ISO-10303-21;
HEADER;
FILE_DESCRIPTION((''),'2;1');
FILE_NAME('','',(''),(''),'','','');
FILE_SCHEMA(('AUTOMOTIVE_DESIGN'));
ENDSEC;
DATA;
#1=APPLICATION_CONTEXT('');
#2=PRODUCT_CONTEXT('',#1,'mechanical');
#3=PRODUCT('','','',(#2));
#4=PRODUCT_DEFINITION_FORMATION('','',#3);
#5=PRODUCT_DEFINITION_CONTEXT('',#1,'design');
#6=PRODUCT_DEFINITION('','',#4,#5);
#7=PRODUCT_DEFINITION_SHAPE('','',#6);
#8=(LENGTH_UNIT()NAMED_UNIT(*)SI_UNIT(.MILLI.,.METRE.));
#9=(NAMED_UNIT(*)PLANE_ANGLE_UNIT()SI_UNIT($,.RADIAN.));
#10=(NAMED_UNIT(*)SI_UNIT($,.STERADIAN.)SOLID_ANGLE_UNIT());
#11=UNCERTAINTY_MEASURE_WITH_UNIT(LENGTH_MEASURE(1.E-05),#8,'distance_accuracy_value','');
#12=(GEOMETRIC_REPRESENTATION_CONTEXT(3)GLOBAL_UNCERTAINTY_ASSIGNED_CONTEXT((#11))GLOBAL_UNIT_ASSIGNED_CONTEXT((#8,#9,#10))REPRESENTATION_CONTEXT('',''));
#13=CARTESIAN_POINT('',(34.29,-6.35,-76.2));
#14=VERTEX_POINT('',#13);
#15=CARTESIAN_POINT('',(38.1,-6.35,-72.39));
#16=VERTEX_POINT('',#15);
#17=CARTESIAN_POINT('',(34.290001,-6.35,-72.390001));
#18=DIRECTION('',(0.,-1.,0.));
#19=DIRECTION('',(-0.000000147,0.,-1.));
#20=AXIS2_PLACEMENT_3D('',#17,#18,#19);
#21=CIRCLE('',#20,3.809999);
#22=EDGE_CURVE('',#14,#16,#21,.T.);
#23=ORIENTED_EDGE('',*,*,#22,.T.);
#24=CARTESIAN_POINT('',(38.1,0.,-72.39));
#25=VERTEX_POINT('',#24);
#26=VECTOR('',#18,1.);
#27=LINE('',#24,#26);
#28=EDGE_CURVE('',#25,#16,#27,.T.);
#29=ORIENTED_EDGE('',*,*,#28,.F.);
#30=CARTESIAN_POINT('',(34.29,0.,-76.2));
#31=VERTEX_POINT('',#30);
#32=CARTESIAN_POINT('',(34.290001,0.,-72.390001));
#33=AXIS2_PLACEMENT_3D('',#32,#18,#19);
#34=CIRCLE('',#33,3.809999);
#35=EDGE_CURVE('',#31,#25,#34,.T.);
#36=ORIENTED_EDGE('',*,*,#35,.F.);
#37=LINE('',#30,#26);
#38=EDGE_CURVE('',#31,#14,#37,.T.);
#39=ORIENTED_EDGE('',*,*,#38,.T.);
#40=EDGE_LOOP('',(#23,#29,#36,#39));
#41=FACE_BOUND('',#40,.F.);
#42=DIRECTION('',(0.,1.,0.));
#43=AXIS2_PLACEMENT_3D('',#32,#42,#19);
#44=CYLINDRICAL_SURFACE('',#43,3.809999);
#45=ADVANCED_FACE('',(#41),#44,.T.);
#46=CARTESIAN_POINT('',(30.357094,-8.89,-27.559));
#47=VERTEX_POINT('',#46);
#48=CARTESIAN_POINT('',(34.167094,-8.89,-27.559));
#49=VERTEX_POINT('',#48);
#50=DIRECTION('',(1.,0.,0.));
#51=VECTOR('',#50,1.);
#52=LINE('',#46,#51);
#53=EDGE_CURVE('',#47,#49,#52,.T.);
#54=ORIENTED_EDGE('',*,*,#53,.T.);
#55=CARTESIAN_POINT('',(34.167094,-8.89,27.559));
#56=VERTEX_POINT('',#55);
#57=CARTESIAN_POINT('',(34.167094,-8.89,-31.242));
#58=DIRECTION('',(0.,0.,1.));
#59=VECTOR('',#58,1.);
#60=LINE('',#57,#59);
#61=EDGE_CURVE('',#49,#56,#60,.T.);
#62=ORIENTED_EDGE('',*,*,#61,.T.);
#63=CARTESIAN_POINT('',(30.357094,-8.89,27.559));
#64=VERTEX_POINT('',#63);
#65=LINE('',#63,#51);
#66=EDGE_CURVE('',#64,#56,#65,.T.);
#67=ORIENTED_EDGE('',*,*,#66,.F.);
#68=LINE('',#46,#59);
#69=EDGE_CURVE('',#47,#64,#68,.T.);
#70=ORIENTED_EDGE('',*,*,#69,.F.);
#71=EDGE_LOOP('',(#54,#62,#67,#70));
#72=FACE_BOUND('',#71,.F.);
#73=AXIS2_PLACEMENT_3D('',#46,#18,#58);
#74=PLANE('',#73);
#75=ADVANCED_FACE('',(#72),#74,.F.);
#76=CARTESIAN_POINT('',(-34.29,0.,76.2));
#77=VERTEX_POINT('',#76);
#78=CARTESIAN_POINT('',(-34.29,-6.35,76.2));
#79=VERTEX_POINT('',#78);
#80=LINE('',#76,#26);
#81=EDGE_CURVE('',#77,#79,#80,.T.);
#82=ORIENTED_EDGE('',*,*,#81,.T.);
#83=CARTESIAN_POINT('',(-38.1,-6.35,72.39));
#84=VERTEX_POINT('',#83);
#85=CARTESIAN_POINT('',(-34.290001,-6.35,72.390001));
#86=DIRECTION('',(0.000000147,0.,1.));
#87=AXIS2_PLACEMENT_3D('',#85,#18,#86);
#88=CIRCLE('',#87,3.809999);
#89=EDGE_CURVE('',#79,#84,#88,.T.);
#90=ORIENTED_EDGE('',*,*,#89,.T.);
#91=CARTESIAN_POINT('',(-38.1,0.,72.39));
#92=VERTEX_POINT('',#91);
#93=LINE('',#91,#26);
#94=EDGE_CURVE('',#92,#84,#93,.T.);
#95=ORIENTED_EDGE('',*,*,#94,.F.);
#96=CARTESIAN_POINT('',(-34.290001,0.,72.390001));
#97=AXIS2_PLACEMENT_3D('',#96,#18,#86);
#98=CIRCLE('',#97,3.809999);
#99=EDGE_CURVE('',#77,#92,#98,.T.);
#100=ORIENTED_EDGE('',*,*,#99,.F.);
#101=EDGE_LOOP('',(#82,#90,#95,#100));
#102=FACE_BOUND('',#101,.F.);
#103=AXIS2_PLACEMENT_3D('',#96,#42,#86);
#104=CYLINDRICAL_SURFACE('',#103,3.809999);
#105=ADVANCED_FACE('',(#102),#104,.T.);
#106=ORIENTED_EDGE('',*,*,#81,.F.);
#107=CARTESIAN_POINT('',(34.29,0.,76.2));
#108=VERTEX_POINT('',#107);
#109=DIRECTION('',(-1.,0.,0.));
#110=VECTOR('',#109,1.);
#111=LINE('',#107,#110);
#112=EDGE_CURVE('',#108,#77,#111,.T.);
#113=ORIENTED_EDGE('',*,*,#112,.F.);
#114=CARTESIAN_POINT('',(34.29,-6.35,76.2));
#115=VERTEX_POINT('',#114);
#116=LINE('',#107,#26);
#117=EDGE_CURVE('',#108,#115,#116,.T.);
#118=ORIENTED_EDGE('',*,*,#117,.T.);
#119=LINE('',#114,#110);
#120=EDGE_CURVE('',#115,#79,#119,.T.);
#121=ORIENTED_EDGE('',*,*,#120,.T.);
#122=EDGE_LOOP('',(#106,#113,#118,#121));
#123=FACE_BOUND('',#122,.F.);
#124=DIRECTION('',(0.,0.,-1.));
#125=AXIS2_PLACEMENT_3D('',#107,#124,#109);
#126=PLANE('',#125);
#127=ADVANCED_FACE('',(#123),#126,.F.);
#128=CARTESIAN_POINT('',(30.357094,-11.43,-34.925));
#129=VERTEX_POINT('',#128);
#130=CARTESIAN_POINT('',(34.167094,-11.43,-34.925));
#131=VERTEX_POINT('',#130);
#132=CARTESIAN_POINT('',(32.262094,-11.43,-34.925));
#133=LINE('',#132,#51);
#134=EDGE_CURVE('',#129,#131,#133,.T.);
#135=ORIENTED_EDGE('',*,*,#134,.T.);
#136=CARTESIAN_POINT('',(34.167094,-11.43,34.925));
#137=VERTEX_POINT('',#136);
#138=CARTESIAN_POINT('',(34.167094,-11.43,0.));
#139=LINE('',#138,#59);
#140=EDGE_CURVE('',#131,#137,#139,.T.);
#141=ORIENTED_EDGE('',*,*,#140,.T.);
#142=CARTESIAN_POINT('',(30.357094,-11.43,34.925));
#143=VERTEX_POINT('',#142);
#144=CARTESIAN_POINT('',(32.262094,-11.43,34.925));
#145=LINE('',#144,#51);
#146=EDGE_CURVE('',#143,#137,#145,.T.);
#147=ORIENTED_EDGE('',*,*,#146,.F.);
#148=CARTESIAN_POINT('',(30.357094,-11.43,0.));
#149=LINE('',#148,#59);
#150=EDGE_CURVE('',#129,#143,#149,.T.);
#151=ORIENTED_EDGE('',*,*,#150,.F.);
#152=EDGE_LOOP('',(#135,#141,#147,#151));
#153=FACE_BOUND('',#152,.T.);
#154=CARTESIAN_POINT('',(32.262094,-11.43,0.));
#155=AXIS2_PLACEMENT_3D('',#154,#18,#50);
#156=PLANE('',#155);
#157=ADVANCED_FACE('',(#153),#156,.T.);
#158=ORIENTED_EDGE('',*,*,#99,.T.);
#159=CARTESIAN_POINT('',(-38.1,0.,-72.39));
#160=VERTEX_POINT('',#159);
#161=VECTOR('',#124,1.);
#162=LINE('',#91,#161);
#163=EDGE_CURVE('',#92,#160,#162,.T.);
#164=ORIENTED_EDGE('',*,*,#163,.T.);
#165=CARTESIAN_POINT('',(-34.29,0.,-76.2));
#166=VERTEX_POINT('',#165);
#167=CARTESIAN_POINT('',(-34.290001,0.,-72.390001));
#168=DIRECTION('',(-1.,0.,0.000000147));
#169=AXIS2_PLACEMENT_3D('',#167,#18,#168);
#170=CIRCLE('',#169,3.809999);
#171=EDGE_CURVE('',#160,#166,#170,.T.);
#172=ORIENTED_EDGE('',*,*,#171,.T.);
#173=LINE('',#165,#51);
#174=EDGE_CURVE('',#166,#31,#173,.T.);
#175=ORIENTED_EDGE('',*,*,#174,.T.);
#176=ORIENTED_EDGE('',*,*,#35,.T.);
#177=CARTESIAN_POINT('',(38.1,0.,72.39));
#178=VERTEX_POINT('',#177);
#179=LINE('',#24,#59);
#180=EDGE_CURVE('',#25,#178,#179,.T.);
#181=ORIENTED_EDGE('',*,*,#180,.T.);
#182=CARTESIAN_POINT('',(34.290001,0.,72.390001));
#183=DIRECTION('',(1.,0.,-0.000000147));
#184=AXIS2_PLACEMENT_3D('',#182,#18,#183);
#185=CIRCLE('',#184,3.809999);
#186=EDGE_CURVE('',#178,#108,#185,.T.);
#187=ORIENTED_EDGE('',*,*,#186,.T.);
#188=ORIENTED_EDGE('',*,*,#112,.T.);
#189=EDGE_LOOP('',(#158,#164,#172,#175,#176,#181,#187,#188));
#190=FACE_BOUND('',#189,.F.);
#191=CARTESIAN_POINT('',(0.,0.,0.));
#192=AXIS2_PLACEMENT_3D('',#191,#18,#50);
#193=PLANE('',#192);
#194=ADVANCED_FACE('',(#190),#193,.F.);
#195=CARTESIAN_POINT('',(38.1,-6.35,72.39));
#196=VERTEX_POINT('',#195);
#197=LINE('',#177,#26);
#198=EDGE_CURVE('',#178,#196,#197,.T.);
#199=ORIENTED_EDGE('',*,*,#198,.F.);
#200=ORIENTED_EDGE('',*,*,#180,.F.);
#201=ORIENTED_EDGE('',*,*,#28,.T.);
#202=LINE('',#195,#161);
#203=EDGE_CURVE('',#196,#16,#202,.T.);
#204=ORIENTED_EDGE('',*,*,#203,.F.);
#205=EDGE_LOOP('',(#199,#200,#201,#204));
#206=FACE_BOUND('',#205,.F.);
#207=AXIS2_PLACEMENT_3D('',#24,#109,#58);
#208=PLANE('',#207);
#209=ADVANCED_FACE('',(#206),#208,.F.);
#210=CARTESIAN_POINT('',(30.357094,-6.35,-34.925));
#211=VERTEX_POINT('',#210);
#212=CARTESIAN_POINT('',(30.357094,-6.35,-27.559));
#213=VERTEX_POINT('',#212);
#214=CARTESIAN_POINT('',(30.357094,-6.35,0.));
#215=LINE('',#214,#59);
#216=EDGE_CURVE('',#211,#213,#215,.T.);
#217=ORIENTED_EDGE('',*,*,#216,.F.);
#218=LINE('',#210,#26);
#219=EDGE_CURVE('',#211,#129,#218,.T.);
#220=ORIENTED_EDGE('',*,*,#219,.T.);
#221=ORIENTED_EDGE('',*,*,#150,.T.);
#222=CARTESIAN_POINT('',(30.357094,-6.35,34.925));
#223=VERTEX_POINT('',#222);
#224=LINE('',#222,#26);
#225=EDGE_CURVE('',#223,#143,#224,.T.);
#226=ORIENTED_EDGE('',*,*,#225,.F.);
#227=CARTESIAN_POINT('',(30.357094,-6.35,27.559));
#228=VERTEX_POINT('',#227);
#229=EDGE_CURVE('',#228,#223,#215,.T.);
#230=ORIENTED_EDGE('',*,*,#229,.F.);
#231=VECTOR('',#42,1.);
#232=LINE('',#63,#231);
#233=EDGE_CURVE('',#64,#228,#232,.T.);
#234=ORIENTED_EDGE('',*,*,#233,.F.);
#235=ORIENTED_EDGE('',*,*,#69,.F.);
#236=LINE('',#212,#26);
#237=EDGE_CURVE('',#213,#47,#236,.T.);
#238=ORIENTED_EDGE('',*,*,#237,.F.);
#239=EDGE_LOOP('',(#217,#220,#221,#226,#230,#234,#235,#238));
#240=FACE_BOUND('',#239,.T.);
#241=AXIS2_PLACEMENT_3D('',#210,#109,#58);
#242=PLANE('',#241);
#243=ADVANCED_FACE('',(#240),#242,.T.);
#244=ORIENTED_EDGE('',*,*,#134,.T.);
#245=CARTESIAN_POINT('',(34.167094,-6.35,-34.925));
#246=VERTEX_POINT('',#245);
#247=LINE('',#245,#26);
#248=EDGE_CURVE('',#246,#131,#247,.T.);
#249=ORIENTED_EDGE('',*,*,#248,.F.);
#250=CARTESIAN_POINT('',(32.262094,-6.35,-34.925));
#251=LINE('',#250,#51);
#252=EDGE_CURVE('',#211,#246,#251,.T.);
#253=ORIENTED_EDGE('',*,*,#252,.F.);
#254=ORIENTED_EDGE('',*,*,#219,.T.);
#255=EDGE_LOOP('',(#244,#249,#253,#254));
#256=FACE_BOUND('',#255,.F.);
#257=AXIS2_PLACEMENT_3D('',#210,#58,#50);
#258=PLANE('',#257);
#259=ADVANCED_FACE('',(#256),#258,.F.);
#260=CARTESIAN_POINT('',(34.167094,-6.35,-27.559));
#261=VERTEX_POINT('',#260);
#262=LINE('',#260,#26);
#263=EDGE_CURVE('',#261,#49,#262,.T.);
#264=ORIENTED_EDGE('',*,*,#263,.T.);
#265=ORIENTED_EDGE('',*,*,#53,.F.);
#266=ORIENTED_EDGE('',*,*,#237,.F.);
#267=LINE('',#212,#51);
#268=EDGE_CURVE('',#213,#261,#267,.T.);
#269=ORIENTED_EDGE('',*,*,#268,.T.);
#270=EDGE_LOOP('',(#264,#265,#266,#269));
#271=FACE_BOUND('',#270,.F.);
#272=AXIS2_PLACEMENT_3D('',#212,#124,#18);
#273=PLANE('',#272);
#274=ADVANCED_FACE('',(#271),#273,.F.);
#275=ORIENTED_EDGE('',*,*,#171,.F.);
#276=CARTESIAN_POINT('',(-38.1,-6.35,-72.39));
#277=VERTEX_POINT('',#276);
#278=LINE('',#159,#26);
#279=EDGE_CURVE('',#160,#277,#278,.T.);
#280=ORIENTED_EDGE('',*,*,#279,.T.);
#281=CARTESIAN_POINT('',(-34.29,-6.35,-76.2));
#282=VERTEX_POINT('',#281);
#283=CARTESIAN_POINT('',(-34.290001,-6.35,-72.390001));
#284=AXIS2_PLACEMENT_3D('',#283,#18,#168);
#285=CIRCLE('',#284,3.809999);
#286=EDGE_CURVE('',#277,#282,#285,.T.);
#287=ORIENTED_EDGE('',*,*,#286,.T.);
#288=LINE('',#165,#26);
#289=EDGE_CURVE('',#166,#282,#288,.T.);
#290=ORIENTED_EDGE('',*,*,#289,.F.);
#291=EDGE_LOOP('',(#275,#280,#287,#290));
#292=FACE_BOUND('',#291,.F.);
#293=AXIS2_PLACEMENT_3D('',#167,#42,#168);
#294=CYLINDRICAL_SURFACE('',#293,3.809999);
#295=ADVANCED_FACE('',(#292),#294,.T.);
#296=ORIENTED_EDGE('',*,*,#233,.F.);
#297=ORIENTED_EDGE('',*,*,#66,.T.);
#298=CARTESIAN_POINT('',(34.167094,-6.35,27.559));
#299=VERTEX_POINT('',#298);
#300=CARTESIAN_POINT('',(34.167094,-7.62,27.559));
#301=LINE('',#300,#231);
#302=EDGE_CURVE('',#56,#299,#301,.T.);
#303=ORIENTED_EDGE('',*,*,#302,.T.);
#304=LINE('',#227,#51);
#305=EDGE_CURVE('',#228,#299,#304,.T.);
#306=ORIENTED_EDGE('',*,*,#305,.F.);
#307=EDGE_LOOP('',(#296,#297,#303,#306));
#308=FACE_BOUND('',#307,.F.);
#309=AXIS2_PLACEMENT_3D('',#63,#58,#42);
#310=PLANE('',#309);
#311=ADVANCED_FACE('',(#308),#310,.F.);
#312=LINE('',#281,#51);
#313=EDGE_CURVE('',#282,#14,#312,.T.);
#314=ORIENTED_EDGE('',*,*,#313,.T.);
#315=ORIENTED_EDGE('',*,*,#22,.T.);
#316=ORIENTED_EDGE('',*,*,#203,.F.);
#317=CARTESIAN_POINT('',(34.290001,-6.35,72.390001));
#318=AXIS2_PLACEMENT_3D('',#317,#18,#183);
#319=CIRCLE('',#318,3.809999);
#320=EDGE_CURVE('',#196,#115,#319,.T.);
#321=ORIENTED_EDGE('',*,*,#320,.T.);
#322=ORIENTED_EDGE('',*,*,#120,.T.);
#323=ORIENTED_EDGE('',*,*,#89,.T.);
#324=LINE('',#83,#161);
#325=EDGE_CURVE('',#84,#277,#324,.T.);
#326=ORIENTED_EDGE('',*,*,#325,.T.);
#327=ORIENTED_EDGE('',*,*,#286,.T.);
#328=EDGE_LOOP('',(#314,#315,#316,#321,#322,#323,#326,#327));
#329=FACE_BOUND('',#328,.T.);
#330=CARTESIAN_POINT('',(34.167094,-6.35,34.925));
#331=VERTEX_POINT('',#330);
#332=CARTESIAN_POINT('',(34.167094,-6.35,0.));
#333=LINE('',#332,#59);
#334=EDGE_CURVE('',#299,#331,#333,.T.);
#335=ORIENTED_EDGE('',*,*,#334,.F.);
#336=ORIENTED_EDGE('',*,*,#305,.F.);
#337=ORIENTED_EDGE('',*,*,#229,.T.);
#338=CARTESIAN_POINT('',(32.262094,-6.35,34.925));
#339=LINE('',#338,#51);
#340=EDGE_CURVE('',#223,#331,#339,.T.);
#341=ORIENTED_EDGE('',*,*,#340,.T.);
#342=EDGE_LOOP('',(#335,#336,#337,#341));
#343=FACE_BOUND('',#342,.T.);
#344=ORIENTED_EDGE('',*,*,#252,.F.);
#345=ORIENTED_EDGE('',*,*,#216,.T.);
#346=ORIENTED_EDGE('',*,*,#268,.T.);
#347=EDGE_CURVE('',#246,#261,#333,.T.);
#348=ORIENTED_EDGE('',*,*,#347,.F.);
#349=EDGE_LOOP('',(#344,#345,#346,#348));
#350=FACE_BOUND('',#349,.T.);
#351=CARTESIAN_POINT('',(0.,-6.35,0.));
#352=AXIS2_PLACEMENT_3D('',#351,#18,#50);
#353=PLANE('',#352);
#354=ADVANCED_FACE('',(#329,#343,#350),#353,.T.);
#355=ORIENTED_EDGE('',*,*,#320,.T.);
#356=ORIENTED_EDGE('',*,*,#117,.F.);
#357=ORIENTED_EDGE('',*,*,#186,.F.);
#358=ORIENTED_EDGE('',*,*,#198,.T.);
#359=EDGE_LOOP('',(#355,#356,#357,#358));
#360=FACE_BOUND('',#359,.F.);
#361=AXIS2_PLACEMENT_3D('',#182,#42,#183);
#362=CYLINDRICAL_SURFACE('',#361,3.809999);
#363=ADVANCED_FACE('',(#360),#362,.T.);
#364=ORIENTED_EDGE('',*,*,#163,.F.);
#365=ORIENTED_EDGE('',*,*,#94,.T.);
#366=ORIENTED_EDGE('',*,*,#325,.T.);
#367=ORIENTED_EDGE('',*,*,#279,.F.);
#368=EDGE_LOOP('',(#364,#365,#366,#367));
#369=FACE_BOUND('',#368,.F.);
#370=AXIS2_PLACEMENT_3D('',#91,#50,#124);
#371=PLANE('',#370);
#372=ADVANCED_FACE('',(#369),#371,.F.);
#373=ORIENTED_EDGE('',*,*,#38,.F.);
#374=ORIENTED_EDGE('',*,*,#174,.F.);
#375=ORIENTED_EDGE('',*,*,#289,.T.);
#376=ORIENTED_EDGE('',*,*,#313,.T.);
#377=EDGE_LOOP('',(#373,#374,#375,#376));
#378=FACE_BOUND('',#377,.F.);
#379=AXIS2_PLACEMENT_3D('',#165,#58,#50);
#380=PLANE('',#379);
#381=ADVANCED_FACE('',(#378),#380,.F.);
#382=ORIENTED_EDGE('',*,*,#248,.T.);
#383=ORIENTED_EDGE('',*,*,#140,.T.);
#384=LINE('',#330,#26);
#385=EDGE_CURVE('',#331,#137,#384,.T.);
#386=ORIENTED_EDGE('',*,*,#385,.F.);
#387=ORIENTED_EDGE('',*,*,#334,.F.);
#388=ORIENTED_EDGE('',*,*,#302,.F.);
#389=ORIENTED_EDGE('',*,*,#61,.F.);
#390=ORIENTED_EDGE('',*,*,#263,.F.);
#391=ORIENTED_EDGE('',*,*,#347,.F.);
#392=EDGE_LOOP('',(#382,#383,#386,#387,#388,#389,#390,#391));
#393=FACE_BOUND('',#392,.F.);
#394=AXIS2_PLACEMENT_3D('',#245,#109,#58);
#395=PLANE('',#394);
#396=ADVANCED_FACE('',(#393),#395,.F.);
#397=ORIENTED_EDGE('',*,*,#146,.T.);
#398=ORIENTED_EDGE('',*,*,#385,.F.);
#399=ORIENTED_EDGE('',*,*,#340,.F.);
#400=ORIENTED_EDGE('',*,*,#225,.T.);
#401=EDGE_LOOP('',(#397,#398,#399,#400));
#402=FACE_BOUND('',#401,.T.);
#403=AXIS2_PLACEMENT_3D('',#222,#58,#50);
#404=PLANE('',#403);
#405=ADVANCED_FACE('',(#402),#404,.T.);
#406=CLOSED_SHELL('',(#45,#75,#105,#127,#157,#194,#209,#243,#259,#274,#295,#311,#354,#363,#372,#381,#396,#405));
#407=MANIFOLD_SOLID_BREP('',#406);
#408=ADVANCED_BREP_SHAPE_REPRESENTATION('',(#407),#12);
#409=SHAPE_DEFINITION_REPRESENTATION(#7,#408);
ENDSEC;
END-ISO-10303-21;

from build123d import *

# Parameters (mm, degrees)
F1_DEPTH = 6.35
F2_W     = 3.81
F2_H     = 69.85
F3_DEPTH = 5.08
F5_DEPTH = 25.4


with BuildPart() as f1:
    # F0 (on Front) → F1 (new body)
    with BuildSketch(Plane.XZ):
        with BuildLine():
            ThreePointArc((38.1, 72.39), (36.984077, 75.084077), (34.29, 76.2))
            Line((34.29, 76.2), (-34.29, 76.2))
            ThreePointArc((-34.29, 76.2), (-36.984077, 75.084077), (-38.1, 72.39))
            Line((-38.1, 72.39), (-38.1, -72.39))
            ThreePointArc((-38.1, -72.39), (-36.984077, -75.084077), (-34.29, -76.2))
            Line((-34.29, -76.2), (34.29, -76.2))
            ThreePointArc((34.29, -76.2), (36.984077, -75.084077), (38.1, -72.39))
            Line((38.1, -72.39), (38.1, 72.39))
        make_face()
    extrude(amount=F1_DEPTH)

    # F2 (on face) → F3 (join)
    with BuildSketch(Plane.XZ.offset(6.35)):
        with Locations((32.262094, 0)):
            Rectangle(F2_W, F2_H)
    extrude(amount=F3_DEPTH)

    # F4 (on face) → F5 (cut)
    with BuildSketch(Plane(origin=(30.357094, 0, 0), x_dir=(0, -1, 0), z_dir=(-1, 0, 0))):
        Polygon((6.35, 27.559), (6.35, 0), (6.35, -27.559), (8.89, -27.559), (8.89, 27.559), align=None)
    extrude(amount=-F5_DEPTH, mode=Mode.SUBTRACT)


solid = f1.part
